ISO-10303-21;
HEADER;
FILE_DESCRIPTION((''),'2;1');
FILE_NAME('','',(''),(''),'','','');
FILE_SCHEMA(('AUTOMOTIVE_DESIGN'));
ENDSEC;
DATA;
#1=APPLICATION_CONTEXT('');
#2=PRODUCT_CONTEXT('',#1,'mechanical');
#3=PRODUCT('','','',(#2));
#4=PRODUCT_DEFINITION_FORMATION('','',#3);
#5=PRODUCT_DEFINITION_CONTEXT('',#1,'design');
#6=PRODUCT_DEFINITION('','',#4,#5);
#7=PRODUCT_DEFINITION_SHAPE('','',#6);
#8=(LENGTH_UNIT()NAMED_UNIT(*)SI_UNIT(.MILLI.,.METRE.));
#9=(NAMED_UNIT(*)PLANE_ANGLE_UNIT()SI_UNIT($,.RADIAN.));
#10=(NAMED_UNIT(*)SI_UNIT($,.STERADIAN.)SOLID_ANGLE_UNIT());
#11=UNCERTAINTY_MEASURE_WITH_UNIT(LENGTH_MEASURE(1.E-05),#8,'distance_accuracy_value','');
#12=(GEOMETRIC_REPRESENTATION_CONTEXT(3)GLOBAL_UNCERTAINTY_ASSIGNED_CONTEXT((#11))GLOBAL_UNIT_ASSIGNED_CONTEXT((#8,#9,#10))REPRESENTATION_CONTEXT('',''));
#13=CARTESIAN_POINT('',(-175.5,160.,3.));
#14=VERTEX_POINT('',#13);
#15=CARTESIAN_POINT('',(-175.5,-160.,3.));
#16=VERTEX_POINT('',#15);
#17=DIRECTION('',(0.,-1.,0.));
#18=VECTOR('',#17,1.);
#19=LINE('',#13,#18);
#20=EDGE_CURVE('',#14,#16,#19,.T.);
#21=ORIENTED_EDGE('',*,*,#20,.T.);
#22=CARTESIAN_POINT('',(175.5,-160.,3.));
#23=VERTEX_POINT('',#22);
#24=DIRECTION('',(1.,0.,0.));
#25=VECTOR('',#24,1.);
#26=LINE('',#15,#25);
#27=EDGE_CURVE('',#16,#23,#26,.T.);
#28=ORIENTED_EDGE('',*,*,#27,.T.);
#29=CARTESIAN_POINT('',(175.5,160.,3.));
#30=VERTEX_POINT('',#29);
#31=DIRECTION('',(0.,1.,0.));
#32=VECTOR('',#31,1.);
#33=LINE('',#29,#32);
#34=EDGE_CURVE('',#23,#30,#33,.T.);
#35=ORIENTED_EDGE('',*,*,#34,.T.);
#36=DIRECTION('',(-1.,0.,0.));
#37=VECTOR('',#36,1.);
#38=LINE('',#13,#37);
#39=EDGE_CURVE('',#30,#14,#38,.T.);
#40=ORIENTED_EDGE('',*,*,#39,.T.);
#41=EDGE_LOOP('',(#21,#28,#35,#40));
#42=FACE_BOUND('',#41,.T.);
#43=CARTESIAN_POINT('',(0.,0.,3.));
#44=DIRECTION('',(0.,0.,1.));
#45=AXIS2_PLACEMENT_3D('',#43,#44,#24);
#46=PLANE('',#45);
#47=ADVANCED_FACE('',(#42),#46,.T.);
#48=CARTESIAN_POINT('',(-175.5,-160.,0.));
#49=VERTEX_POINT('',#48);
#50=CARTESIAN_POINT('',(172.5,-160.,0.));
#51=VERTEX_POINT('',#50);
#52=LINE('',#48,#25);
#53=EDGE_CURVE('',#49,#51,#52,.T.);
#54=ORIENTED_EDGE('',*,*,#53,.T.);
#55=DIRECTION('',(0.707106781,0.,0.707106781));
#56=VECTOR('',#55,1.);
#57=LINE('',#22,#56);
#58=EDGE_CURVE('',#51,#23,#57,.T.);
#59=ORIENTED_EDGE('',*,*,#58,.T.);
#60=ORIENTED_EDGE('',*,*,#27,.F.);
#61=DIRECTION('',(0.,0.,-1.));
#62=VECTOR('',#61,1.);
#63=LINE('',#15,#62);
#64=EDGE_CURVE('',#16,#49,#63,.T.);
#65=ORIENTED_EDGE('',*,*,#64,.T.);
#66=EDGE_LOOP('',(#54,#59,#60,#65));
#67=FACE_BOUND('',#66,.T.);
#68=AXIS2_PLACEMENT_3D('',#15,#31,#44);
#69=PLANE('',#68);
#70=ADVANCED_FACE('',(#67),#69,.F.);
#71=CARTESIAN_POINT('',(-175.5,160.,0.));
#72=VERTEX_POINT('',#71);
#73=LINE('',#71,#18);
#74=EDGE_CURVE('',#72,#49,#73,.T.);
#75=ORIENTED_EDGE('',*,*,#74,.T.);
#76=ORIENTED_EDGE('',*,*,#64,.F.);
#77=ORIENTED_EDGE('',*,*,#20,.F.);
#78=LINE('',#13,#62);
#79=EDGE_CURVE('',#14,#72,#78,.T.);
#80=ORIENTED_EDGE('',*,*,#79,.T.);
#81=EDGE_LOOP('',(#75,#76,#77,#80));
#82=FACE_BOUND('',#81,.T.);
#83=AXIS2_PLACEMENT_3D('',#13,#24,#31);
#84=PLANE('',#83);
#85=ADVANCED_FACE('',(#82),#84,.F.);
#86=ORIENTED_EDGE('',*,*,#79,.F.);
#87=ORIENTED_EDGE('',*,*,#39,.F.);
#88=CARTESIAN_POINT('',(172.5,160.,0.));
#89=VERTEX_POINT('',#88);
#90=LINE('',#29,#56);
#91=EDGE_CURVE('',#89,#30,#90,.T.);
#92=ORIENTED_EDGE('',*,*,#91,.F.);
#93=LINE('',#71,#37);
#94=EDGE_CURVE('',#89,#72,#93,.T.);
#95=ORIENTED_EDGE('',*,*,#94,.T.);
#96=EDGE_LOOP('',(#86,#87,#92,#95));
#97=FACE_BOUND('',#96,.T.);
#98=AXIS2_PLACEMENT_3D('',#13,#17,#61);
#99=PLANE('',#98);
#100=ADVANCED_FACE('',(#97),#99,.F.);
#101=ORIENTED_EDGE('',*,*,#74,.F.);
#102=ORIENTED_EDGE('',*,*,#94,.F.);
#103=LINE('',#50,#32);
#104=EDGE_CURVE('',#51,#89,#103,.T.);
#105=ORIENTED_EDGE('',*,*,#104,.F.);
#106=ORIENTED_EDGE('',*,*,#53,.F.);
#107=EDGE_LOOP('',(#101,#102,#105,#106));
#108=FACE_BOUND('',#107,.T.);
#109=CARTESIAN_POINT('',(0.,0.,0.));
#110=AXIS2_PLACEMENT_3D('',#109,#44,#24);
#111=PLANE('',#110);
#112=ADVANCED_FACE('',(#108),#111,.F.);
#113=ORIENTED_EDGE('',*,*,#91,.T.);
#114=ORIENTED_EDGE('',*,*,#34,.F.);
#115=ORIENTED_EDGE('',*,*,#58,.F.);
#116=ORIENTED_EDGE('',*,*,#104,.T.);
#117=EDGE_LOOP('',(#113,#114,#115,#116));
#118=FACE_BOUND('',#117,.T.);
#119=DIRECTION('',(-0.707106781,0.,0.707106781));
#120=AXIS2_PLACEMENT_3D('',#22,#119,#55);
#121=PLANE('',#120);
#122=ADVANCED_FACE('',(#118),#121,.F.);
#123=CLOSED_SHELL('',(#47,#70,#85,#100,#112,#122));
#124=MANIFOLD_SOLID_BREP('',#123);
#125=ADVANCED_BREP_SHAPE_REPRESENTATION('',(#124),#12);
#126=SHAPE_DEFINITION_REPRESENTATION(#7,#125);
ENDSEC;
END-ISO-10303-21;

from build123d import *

# Parameters (mm, degrees)
SKETCH_1_W          = 351
SKETCH_1_H          = 320
EXTRUDE_1_DEPTH     = 3
CUT_EXTRUDE_1_DEPTH = 365.97842402


with BuildPart() as part:
    # 草图1 → 凸台-拉伸1 (new body)
    with BuildSketch(Plane.XY):
        Rectangle(SKETCH_1_W, SKETCH_1_H)
    extrude(amount=EXTRUDE_1_DEPTH)

    # 草图2 → 切除-拉伸1 (cut, through all)
    with BuildSketch(Plane(origin=(0, 160, 0), x_dir=(1, 0, 0), z_dir=(0, 1, 0))):
        Polygon((175.5, -3), (172.5, 0), (175.5, 0), align=None)
    extrude(amount=-CUT_EXTRUDE_1_DEPTH, mode=Mode.SUBTRACT)


solid = part.part
